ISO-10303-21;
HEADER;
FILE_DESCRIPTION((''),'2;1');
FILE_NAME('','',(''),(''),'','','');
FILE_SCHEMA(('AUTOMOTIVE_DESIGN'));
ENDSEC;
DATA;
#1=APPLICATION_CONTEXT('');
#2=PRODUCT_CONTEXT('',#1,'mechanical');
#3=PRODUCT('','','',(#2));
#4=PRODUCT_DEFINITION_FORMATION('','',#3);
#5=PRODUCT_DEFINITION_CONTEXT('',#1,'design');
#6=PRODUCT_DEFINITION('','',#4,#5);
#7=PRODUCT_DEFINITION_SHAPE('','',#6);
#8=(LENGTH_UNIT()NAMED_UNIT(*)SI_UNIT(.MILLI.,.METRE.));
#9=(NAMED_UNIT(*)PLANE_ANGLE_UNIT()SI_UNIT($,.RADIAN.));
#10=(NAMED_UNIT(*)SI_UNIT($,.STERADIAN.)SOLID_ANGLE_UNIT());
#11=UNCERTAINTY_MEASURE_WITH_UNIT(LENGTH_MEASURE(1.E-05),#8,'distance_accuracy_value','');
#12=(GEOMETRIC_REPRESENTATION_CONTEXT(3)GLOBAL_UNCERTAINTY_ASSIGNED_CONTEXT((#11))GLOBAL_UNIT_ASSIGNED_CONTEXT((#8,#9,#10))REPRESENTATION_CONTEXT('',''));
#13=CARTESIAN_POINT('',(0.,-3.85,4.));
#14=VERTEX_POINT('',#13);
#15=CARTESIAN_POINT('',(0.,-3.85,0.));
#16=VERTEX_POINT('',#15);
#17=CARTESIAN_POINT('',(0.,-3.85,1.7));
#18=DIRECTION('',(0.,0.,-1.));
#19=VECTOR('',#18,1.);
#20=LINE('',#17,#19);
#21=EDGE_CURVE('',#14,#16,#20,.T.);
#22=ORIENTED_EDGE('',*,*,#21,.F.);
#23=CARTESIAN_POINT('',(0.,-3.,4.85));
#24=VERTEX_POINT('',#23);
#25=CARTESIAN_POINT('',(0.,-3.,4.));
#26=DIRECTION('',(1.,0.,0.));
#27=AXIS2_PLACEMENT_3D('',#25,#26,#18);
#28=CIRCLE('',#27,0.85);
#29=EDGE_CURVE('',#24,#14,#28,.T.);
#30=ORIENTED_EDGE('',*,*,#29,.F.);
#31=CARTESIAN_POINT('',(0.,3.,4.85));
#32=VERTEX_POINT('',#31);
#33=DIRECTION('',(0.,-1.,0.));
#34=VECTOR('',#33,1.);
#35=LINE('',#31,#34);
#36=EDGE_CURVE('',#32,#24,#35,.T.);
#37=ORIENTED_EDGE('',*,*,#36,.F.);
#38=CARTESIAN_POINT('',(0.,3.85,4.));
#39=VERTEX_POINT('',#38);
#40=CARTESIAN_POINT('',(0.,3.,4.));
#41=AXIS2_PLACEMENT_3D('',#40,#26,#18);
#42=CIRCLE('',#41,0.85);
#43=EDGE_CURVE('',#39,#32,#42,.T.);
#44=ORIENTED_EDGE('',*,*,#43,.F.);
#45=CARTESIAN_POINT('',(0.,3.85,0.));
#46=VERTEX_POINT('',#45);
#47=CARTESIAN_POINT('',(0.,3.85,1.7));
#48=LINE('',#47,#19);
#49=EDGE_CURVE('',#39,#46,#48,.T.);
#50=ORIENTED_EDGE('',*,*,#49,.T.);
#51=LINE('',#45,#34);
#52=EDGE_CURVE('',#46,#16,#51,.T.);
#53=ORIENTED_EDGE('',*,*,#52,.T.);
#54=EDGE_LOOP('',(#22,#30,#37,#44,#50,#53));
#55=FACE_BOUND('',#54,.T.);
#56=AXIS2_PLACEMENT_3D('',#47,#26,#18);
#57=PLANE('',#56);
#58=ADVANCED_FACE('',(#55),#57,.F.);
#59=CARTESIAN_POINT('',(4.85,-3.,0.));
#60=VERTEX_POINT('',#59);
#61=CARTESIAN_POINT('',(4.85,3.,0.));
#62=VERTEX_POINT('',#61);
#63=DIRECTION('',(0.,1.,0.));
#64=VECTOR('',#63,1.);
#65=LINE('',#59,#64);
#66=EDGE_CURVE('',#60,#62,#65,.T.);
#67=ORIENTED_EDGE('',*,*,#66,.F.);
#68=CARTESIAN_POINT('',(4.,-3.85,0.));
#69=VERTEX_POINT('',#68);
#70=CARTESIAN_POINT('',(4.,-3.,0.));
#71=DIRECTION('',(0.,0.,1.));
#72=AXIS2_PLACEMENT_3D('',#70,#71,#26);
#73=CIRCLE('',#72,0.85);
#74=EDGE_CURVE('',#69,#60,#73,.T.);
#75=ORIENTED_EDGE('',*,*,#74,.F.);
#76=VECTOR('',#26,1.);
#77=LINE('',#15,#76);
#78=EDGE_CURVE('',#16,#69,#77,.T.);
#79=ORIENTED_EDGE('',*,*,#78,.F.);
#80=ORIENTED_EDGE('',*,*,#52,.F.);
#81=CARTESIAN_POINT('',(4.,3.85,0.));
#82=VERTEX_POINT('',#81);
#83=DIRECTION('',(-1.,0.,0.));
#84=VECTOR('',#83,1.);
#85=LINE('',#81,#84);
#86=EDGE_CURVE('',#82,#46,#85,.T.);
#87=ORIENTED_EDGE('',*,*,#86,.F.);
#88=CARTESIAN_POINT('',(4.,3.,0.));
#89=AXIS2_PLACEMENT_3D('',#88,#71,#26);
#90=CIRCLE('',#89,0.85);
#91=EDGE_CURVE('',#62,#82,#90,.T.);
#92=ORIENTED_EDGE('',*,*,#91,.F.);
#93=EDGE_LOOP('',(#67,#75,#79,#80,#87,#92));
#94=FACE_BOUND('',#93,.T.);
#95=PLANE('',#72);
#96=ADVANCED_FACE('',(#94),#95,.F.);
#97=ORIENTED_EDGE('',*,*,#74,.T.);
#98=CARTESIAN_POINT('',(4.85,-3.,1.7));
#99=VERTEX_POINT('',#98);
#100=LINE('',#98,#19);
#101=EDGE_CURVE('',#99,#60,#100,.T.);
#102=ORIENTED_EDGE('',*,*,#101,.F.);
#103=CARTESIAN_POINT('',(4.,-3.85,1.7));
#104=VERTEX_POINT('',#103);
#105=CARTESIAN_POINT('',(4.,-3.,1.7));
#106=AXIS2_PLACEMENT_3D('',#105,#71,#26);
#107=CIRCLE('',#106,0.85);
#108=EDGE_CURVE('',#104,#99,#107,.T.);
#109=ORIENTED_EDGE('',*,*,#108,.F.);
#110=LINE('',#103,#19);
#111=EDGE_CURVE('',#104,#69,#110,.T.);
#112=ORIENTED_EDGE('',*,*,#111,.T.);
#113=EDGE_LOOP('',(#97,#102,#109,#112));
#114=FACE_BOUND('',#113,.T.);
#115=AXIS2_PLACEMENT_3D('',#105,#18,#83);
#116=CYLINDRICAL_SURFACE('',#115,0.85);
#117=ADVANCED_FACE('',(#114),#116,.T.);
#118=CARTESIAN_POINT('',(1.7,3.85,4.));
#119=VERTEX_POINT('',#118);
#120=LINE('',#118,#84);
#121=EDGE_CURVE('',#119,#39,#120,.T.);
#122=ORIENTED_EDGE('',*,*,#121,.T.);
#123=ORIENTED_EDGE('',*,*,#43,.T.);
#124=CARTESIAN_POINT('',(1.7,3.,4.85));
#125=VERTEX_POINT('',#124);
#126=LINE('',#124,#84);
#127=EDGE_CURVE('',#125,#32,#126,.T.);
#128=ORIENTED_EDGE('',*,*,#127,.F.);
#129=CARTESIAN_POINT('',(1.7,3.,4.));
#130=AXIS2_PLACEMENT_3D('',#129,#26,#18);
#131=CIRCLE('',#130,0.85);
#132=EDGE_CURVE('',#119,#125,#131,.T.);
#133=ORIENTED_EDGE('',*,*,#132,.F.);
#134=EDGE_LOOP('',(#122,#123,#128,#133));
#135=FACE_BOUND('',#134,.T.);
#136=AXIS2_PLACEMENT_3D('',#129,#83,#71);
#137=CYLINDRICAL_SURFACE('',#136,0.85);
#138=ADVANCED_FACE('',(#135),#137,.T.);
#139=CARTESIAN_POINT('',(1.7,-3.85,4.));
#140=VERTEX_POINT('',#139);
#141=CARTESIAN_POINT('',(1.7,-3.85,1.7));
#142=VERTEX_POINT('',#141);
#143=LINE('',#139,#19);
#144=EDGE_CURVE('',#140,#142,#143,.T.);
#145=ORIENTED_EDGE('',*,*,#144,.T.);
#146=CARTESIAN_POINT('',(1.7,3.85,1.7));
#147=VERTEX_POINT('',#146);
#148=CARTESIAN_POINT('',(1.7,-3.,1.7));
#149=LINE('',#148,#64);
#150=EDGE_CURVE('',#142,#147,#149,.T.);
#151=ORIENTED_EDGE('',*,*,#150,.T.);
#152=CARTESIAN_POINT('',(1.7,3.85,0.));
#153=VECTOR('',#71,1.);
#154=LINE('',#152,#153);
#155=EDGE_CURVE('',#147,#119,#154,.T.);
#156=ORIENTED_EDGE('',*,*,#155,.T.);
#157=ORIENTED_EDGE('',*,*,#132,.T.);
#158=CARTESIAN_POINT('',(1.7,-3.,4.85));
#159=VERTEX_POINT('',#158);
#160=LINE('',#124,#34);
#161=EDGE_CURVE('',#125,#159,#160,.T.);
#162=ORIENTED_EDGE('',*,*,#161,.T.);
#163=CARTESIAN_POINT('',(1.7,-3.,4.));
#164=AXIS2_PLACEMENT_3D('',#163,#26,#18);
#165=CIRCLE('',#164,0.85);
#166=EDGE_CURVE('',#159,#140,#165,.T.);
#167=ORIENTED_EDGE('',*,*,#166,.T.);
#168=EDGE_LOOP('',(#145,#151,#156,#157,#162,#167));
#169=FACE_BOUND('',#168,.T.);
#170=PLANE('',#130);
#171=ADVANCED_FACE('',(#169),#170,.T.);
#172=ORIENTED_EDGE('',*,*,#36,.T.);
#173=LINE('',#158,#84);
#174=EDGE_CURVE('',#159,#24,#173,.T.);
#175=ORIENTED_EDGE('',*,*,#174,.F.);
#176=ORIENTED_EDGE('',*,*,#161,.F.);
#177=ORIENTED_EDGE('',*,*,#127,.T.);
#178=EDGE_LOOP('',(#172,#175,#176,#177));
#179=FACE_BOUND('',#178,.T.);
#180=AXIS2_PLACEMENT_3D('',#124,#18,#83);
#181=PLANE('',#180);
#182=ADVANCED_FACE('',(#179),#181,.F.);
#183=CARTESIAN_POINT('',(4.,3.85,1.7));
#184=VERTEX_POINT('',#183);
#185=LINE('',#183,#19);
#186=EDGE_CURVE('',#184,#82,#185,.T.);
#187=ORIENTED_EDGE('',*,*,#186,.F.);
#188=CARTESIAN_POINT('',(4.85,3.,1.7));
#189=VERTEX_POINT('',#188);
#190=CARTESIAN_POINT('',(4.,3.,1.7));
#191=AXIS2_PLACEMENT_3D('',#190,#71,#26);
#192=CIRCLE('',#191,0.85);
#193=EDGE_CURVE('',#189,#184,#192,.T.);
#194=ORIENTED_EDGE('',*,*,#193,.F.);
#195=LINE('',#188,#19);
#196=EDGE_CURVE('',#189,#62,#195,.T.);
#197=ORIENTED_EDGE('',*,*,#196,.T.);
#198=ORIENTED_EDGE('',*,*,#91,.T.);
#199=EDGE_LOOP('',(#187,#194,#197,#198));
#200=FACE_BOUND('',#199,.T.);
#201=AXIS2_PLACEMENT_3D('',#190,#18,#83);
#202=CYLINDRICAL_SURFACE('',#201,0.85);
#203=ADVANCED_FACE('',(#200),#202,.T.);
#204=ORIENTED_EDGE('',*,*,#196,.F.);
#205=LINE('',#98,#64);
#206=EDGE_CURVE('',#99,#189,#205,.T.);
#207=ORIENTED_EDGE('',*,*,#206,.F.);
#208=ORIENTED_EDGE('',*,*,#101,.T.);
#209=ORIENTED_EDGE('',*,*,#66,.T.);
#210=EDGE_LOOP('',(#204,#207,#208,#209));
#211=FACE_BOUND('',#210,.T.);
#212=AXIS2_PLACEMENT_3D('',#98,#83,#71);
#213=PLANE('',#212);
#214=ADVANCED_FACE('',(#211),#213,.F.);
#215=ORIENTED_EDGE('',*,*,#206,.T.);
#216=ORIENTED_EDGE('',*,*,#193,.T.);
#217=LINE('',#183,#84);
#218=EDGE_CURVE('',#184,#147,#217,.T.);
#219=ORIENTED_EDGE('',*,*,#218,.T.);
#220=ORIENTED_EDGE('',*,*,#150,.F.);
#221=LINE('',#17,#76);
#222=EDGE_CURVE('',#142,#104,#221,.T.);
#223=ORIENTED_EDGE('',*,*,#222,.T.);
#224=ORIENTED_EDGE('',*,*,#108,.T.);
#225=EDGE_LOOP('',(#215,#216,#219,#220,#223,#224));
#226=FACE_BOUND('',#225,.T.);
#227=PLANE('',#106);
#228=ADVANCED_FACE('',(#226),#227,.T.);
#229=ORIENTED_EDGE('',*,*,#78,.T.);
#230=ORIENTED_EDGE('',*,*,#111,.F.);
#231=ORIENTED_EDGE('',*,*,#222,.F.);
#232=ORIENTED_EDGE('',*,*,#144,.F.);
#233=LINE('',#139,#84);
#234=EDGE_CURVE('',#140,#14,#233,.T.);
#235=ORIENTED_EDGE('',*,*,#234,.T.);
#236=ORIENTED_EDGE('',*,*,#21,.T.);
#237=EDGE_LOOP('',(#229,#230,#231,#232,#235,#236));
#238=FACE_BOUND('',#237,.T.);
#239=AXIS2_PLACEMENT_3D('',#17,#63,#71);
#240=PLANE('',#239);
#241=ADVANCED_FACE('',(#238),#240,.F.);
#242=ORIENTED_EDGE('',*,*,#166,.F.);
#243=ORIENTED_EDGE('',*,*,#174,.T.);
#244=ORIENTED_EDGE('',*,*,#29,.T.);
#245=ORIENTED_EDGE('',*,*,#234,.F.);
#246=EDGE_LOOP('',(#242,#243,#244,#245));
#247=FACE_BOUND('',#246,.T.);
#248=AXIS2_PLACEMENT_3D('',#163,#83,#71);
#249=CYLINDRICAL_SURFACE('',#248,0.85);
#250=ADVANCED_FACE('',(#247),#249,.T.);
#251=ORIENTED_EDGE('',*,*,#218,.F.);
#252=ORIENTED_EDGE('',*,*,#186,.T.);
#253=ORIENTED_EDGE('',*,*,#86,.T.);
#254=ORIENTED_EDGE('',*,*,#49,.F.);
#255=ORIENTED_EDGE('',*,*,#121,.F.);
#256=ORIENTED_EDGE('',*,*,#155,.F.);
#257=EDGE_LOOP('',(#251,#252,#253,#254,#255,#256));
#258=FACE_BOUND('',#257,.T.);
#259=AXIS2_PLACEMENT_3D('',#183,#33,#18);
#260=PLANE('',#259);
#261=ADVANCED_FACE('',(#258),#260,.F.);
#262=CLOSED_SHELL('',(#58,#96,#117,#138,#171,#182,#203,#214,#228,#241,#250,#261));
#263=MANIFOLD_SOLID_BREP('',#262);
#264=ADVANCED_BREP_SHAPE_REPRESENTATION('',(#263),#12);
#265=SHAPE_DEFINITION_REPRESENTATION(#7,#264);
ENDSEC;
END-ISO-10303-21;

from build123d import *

# Parameters (mm, degrees)
FLUSH_ROOF_LENS_T1_7_CLEARANCE0_15_DEPTH = 1.7
FLUSH_SIDE_LENS_T1_7_CLEARANCE0_15_DEPTH = 1.7


with BuildPart() as part:
    # 草图1 → Flush_roof_lens_T1.7_clearance0.15 (new body)
    with BuildSketch(Plane.XY):
        with BuildLine():
            Line((0, -3.85), (4, -3.85))
            ThreePointArc((4, -3.85), (4.601040764, -3.601040764), (4.85, -3))
            Line((4.85, -3), (4.85, 3))
            ThreePointArc((4.85, 3), (4.601040764, 3.601040764), (4, 3.85))
            Line((4, 3.85), (0, 3.85))
            Line((0, 3.85), (0, -3.85))
        make_face()
    extrude(amount=FLUSH_ROOF_LENS_T1_7_CLEARANCE0_15_DEPTH)

    # 草图2 → Flush_side_lens_T1.7_clearance0.15 (add)
    with BuildSketch(Plane(origin=(0, 0, 0), x_dir=(0, 0, -1), z_dir=(1, 0, 0))):
        with BuildLine():
            Line((0, -3.85), (0, 3.85))
            Line((0, 3.85), (-4, 3.85))
            ThreePointArc((-4, 3.85), (-4.601040764, 3.601040764), (-4.85, 3))
            Line((-4.85, 3), (-4.85, -3))
            ThreePointArc((-4.85, -3), (-4.601040764, -3.601040764), (-4, -3.85))
            Line((-4, -3.85), (0, -3.85))
        make_face()
    extrude(amount=FLUSH_SIDE_LENS_T1_7_CLEARANCE0_15_DEPTH)


solid = part.part
